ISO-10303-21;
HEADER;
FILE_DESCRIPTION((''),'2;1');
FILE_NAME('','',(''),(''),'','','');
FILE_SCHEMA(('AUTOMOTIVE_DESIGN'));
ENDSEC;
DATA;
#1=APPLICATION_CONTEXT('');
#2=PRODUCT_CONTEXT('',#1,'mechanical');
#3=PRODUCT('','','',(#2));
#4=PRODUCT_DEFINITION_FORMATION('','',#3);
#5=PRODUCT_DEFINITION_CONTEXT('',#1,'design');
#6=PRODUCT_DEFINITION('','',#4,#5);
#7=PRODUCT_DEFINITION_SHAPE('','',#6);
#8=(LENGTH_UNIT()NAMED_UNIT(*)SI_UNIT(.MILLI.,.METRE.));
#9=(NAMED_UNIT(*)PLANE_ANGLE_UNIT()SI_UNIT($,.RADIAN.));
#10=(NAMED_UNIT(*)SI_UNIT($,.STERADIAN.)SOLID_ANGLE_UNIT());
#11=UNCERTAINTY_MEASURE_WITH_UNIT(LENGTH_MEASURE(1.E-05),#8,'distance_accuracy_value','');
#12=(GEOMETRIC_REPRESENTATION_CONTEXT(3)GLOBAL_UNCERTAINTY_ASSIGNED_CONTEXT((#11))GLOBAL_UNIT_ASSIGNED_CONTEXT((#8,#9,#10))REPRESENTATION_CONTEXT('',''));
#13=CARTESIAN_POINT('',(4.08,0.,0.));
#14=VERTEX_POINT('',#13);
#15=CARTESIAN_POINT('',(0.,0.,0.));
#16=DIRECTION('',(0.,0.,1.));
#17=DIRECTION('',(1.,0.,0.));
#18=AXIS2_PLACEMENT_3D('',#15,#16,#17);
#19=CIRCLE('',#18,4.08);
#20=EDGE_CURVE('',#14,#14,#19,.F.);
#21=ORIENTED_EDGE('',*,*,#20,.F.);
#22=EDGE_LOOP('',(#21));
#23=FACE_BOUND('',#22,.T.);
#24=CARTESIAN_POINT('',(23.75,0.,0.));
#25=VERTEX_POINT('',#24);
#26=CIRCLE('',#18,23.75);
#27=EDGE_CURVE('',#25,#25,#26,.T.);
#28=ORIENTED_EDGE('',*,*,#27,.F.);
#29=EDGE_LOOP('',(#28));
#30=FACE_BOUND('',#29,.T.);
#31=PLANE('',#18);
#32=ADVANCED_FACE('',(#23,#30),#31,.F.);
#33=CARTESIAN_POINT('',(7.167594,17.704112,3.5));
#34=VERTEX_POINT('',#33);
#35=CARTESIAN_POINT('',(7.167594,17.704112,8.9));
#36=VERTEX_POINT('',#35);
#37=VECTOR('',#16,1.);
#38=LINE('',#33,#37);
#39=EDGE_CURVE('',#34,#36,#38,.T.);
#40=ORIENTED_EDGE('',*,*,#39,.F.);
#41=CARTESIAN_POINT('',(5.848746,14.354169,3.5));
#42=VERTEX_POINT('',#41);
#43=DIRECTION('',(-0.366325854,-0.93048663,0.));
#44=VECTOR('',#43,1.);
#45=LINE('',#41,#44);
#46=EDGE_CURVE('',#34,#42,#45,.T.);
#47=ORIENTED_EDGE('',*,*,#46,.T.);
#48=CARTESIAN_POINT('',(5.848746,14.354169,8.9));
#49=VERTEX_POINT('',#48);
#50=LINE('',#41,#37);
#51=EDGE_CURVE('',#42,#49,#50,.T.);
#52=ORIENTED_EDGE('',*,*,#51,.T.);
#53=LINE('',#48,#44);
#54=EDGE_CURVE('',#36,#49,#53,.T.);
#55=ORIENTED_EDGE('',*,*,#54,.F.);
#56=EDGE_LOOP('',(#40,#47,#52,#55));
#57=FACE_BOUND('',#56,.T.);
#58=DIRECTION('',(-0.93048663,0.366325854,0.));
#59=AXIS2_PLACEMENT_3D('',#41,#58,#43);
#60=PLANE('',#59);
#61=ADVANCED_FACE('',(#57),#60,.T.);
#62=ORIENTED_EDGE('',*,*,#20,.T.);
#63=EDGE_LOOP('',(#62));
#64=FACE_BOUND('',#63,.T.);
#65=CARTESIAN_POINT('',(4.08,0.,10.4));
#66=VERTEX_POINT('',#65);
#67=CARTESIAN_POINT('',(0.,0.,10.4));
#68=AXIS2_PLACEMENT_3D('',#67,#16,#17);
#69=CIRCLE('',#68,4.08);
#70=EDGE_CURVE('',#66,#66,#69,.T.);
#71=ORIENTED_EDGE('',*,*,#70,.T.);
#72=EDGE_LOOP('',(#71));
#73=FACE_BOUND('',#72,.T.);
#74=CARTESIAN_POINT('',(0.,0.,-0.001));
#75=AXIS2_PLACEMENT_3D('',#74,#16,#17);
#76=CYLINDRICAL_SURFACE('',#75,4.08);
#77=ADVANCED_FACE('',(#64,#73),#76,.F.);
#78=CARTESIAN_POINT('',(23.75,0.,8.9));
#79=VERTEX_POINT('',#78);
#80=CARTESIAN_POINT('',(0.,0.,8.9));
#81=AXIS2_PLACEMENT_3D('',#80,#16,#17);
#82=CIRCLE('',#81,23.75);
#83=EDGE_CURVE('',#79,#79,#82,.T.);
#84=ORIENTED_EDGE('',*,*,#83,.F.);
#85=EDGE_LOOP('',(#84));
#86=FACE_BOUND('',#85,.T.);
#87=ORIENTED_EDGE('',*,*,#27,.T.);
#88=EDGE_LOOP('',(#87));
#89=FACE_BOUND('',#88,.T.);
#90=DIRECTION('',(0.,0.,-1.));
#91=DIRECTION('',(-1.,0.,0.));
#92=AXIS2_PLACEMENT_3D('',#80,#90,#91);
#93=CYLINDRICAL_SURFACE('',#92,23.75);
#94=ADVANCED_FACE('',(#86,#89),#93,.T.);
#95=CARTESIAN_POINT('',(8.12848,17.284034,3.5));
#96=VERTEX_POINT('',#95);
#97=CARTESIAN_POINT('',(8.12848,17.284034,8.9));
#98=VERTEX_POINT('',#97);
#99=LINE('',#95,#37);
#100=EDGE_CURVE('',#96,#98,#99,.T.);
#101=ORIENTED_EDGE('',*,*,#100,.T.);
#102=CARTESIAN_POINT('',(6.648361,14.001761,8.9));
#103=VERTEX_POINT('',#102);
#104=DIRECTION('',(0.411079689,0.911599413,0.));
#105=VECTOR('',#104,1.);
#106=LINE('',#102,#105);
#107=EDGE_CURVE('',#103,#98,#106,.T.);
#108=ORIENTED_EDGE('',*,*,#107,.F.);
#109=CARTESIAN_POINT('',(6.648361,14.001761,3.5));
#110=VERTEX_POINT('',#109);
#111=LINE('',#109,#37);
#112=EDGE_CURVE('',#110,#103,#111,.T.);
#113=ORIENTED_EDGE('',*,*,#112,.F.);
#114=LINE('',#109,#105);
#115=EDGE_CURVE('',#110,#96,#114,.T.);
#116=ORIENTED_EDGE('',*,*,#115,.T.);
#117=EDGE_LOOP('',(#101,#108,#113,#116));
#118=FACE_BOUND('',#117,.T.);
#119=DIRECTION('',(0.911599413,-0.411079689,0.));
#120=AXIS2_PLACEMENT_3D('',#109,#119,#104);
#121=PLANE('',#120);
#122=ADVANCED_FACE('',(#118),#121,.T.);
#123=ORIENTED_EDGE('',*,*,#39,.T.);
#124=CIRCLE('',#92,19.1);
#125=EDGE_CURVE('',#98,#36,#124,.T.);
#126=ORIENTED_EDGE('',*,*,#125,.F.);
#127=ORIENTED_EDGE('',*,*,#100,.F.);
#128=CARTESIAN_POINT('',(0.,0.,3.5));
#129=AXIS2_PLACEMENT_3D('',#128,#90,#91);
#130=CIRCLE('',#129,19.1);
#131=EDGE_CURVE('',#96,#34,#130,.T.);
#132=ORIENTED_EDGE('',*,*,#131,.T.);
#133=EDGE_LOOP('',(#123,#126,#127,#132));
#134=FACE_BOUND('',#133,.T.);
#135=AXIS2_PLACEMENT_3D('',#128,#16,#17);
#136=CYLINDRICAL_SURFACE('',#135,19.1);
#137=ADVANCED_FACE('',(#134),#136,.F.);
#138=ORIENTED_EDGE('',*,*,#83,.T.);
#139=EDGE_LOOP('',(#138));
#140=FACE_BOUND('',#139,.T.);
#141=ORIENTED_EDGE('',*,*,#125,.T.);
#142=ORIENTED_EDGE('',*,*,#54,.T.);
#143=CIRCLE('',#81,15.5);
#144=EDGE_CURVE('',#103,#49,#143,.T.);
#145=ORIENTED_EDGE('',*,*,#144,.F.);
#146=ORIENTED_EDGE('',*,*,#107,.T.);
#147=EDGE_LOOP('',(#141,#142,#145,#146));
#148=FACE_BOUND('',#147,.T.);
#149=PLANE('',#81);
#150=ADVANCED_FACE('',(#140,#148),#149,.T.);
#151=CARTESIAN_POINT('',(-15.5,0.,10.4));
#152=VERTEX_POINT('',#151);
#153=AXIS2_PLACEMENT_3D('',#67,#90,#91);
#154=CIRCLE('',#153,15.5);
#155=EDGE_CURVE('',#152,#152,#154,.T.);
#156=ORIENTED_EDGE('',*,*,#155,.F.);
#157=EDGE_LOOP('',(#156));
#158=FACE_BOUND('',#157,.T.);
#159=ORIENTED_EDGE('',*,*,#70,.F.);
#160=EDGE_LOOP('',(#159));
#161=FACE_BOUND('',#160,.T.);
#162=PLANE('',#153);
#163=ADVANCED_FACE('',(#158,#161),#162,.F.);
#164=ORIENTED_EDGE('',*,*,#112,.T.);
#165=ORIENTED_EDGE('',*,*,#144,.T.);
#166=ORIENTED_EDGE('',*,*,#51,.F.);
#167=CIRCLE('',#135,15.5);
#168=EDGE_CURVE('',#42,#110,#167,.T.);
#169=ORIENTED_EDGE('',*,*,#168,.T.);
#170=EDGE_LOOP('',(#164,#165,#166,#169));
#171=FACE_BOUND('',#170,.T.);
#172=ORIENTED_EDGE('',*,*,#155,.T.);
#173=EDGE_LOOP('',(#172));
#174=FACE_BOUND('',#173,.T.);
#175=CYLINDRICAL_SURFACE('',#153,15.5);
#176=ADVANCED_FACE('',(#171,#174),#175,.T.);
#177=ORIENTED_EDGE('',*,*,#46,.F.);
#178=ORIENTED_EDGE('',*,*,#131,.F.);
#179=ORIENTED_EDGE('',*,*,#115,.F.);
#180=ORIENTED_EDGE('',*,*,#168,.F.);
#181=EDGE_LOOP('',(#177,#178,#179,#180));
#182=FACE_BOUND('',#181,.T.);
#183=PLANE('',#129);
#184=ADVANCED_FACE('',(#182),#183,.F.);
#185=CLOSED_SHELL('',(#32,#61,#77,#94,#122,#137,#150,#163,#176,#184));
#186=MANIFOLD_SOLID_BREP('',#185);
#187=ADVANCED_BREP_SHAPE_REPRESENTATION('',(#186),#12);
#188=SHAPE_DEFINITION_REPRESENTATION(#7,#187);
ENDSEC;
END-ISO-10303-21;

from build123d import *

# Parameters (mm, degrees)
SKETCH1_R           = 23.75
BOSS_EXTRUDE1_DEPTH = 8.9
SKETCH3_R           = 15.5
BOSS_EXTRUDE2_DEPTH = 10.4
CUT_EXTRUDE1_START  = 5.4
CUT_EXTRUDE1_DEPTH  = 5.4
CUT_EXTRUDE2_REACH  = 37.161
SKETCH5_R           = 4.08


with BuildPart() as part:
    # Sketch1 → Boss-Extrude1 (new body)
    with BuildSketch(Plane.XY):
        Circle(SKETCH1_R)
    extrude(amount=BOSS_EXTRUDE1_DEPTH)

    # Sketch3 → Boss-Extrude2 (add)
    with BuildSketch(Plane(origin=(0, 0, 0), x_dir=(-1, 0, 0), z_dir=(0, 0, -1))):
        Circle(SKETCH3_R)
    extrude(amount=-BOSS_EXTRUDE2_DEPTH)

    # Sketch4 → Cut-Extrude1 (cut)
    with BuildSketch(Plane(origin=(0, 0, 8.9), x_dir=(-1, 0, 0), z_dir=(0, 0, -1)).offset(CUT_EXTRUDE1_START)):
        with BuildLine():
            Line((-5.848746097, 14.354169049), (-7.167594485, 17.704112214))
            ThreePointArc((-7.167594485, 17.704112214), (7.650920777, -17.50066888), (-8.128479811, 17.284033556))
            Line((-8.128479811, 17.284033556), (-6.648360671, 14.001760617))
            ThreePointArc((-6.648360671, 14.001760617), (6.251037299, -14.183600836), (-5.848746097, 14.354169049))
        make_face()
    extrude(amount=-CUT_EXTRUDE1_DEPTH, mode=Mode.SUBTRACT)

    # Sketch5 → Cut-Extrude2 (cut, up to next)
    with BuildSketch(Plane.XY.offset(10.4), mode=Mode.PRIVATE) as cut_extrude2_sk1:
        Circle(SKETCH5_R)
    cut_extrude2_tool1 = extrude(cut_extrude2_sk1.sketch, amount=-CUT_EXTRUDE2_REACH, mode=Mode.PRIVATE) & part.part
    add(cut_extrude2_tool1.solids().sort_by_distance((0, 0, 10.4))[0], mode=Mode.SUBTRACT)


solid = part.part
